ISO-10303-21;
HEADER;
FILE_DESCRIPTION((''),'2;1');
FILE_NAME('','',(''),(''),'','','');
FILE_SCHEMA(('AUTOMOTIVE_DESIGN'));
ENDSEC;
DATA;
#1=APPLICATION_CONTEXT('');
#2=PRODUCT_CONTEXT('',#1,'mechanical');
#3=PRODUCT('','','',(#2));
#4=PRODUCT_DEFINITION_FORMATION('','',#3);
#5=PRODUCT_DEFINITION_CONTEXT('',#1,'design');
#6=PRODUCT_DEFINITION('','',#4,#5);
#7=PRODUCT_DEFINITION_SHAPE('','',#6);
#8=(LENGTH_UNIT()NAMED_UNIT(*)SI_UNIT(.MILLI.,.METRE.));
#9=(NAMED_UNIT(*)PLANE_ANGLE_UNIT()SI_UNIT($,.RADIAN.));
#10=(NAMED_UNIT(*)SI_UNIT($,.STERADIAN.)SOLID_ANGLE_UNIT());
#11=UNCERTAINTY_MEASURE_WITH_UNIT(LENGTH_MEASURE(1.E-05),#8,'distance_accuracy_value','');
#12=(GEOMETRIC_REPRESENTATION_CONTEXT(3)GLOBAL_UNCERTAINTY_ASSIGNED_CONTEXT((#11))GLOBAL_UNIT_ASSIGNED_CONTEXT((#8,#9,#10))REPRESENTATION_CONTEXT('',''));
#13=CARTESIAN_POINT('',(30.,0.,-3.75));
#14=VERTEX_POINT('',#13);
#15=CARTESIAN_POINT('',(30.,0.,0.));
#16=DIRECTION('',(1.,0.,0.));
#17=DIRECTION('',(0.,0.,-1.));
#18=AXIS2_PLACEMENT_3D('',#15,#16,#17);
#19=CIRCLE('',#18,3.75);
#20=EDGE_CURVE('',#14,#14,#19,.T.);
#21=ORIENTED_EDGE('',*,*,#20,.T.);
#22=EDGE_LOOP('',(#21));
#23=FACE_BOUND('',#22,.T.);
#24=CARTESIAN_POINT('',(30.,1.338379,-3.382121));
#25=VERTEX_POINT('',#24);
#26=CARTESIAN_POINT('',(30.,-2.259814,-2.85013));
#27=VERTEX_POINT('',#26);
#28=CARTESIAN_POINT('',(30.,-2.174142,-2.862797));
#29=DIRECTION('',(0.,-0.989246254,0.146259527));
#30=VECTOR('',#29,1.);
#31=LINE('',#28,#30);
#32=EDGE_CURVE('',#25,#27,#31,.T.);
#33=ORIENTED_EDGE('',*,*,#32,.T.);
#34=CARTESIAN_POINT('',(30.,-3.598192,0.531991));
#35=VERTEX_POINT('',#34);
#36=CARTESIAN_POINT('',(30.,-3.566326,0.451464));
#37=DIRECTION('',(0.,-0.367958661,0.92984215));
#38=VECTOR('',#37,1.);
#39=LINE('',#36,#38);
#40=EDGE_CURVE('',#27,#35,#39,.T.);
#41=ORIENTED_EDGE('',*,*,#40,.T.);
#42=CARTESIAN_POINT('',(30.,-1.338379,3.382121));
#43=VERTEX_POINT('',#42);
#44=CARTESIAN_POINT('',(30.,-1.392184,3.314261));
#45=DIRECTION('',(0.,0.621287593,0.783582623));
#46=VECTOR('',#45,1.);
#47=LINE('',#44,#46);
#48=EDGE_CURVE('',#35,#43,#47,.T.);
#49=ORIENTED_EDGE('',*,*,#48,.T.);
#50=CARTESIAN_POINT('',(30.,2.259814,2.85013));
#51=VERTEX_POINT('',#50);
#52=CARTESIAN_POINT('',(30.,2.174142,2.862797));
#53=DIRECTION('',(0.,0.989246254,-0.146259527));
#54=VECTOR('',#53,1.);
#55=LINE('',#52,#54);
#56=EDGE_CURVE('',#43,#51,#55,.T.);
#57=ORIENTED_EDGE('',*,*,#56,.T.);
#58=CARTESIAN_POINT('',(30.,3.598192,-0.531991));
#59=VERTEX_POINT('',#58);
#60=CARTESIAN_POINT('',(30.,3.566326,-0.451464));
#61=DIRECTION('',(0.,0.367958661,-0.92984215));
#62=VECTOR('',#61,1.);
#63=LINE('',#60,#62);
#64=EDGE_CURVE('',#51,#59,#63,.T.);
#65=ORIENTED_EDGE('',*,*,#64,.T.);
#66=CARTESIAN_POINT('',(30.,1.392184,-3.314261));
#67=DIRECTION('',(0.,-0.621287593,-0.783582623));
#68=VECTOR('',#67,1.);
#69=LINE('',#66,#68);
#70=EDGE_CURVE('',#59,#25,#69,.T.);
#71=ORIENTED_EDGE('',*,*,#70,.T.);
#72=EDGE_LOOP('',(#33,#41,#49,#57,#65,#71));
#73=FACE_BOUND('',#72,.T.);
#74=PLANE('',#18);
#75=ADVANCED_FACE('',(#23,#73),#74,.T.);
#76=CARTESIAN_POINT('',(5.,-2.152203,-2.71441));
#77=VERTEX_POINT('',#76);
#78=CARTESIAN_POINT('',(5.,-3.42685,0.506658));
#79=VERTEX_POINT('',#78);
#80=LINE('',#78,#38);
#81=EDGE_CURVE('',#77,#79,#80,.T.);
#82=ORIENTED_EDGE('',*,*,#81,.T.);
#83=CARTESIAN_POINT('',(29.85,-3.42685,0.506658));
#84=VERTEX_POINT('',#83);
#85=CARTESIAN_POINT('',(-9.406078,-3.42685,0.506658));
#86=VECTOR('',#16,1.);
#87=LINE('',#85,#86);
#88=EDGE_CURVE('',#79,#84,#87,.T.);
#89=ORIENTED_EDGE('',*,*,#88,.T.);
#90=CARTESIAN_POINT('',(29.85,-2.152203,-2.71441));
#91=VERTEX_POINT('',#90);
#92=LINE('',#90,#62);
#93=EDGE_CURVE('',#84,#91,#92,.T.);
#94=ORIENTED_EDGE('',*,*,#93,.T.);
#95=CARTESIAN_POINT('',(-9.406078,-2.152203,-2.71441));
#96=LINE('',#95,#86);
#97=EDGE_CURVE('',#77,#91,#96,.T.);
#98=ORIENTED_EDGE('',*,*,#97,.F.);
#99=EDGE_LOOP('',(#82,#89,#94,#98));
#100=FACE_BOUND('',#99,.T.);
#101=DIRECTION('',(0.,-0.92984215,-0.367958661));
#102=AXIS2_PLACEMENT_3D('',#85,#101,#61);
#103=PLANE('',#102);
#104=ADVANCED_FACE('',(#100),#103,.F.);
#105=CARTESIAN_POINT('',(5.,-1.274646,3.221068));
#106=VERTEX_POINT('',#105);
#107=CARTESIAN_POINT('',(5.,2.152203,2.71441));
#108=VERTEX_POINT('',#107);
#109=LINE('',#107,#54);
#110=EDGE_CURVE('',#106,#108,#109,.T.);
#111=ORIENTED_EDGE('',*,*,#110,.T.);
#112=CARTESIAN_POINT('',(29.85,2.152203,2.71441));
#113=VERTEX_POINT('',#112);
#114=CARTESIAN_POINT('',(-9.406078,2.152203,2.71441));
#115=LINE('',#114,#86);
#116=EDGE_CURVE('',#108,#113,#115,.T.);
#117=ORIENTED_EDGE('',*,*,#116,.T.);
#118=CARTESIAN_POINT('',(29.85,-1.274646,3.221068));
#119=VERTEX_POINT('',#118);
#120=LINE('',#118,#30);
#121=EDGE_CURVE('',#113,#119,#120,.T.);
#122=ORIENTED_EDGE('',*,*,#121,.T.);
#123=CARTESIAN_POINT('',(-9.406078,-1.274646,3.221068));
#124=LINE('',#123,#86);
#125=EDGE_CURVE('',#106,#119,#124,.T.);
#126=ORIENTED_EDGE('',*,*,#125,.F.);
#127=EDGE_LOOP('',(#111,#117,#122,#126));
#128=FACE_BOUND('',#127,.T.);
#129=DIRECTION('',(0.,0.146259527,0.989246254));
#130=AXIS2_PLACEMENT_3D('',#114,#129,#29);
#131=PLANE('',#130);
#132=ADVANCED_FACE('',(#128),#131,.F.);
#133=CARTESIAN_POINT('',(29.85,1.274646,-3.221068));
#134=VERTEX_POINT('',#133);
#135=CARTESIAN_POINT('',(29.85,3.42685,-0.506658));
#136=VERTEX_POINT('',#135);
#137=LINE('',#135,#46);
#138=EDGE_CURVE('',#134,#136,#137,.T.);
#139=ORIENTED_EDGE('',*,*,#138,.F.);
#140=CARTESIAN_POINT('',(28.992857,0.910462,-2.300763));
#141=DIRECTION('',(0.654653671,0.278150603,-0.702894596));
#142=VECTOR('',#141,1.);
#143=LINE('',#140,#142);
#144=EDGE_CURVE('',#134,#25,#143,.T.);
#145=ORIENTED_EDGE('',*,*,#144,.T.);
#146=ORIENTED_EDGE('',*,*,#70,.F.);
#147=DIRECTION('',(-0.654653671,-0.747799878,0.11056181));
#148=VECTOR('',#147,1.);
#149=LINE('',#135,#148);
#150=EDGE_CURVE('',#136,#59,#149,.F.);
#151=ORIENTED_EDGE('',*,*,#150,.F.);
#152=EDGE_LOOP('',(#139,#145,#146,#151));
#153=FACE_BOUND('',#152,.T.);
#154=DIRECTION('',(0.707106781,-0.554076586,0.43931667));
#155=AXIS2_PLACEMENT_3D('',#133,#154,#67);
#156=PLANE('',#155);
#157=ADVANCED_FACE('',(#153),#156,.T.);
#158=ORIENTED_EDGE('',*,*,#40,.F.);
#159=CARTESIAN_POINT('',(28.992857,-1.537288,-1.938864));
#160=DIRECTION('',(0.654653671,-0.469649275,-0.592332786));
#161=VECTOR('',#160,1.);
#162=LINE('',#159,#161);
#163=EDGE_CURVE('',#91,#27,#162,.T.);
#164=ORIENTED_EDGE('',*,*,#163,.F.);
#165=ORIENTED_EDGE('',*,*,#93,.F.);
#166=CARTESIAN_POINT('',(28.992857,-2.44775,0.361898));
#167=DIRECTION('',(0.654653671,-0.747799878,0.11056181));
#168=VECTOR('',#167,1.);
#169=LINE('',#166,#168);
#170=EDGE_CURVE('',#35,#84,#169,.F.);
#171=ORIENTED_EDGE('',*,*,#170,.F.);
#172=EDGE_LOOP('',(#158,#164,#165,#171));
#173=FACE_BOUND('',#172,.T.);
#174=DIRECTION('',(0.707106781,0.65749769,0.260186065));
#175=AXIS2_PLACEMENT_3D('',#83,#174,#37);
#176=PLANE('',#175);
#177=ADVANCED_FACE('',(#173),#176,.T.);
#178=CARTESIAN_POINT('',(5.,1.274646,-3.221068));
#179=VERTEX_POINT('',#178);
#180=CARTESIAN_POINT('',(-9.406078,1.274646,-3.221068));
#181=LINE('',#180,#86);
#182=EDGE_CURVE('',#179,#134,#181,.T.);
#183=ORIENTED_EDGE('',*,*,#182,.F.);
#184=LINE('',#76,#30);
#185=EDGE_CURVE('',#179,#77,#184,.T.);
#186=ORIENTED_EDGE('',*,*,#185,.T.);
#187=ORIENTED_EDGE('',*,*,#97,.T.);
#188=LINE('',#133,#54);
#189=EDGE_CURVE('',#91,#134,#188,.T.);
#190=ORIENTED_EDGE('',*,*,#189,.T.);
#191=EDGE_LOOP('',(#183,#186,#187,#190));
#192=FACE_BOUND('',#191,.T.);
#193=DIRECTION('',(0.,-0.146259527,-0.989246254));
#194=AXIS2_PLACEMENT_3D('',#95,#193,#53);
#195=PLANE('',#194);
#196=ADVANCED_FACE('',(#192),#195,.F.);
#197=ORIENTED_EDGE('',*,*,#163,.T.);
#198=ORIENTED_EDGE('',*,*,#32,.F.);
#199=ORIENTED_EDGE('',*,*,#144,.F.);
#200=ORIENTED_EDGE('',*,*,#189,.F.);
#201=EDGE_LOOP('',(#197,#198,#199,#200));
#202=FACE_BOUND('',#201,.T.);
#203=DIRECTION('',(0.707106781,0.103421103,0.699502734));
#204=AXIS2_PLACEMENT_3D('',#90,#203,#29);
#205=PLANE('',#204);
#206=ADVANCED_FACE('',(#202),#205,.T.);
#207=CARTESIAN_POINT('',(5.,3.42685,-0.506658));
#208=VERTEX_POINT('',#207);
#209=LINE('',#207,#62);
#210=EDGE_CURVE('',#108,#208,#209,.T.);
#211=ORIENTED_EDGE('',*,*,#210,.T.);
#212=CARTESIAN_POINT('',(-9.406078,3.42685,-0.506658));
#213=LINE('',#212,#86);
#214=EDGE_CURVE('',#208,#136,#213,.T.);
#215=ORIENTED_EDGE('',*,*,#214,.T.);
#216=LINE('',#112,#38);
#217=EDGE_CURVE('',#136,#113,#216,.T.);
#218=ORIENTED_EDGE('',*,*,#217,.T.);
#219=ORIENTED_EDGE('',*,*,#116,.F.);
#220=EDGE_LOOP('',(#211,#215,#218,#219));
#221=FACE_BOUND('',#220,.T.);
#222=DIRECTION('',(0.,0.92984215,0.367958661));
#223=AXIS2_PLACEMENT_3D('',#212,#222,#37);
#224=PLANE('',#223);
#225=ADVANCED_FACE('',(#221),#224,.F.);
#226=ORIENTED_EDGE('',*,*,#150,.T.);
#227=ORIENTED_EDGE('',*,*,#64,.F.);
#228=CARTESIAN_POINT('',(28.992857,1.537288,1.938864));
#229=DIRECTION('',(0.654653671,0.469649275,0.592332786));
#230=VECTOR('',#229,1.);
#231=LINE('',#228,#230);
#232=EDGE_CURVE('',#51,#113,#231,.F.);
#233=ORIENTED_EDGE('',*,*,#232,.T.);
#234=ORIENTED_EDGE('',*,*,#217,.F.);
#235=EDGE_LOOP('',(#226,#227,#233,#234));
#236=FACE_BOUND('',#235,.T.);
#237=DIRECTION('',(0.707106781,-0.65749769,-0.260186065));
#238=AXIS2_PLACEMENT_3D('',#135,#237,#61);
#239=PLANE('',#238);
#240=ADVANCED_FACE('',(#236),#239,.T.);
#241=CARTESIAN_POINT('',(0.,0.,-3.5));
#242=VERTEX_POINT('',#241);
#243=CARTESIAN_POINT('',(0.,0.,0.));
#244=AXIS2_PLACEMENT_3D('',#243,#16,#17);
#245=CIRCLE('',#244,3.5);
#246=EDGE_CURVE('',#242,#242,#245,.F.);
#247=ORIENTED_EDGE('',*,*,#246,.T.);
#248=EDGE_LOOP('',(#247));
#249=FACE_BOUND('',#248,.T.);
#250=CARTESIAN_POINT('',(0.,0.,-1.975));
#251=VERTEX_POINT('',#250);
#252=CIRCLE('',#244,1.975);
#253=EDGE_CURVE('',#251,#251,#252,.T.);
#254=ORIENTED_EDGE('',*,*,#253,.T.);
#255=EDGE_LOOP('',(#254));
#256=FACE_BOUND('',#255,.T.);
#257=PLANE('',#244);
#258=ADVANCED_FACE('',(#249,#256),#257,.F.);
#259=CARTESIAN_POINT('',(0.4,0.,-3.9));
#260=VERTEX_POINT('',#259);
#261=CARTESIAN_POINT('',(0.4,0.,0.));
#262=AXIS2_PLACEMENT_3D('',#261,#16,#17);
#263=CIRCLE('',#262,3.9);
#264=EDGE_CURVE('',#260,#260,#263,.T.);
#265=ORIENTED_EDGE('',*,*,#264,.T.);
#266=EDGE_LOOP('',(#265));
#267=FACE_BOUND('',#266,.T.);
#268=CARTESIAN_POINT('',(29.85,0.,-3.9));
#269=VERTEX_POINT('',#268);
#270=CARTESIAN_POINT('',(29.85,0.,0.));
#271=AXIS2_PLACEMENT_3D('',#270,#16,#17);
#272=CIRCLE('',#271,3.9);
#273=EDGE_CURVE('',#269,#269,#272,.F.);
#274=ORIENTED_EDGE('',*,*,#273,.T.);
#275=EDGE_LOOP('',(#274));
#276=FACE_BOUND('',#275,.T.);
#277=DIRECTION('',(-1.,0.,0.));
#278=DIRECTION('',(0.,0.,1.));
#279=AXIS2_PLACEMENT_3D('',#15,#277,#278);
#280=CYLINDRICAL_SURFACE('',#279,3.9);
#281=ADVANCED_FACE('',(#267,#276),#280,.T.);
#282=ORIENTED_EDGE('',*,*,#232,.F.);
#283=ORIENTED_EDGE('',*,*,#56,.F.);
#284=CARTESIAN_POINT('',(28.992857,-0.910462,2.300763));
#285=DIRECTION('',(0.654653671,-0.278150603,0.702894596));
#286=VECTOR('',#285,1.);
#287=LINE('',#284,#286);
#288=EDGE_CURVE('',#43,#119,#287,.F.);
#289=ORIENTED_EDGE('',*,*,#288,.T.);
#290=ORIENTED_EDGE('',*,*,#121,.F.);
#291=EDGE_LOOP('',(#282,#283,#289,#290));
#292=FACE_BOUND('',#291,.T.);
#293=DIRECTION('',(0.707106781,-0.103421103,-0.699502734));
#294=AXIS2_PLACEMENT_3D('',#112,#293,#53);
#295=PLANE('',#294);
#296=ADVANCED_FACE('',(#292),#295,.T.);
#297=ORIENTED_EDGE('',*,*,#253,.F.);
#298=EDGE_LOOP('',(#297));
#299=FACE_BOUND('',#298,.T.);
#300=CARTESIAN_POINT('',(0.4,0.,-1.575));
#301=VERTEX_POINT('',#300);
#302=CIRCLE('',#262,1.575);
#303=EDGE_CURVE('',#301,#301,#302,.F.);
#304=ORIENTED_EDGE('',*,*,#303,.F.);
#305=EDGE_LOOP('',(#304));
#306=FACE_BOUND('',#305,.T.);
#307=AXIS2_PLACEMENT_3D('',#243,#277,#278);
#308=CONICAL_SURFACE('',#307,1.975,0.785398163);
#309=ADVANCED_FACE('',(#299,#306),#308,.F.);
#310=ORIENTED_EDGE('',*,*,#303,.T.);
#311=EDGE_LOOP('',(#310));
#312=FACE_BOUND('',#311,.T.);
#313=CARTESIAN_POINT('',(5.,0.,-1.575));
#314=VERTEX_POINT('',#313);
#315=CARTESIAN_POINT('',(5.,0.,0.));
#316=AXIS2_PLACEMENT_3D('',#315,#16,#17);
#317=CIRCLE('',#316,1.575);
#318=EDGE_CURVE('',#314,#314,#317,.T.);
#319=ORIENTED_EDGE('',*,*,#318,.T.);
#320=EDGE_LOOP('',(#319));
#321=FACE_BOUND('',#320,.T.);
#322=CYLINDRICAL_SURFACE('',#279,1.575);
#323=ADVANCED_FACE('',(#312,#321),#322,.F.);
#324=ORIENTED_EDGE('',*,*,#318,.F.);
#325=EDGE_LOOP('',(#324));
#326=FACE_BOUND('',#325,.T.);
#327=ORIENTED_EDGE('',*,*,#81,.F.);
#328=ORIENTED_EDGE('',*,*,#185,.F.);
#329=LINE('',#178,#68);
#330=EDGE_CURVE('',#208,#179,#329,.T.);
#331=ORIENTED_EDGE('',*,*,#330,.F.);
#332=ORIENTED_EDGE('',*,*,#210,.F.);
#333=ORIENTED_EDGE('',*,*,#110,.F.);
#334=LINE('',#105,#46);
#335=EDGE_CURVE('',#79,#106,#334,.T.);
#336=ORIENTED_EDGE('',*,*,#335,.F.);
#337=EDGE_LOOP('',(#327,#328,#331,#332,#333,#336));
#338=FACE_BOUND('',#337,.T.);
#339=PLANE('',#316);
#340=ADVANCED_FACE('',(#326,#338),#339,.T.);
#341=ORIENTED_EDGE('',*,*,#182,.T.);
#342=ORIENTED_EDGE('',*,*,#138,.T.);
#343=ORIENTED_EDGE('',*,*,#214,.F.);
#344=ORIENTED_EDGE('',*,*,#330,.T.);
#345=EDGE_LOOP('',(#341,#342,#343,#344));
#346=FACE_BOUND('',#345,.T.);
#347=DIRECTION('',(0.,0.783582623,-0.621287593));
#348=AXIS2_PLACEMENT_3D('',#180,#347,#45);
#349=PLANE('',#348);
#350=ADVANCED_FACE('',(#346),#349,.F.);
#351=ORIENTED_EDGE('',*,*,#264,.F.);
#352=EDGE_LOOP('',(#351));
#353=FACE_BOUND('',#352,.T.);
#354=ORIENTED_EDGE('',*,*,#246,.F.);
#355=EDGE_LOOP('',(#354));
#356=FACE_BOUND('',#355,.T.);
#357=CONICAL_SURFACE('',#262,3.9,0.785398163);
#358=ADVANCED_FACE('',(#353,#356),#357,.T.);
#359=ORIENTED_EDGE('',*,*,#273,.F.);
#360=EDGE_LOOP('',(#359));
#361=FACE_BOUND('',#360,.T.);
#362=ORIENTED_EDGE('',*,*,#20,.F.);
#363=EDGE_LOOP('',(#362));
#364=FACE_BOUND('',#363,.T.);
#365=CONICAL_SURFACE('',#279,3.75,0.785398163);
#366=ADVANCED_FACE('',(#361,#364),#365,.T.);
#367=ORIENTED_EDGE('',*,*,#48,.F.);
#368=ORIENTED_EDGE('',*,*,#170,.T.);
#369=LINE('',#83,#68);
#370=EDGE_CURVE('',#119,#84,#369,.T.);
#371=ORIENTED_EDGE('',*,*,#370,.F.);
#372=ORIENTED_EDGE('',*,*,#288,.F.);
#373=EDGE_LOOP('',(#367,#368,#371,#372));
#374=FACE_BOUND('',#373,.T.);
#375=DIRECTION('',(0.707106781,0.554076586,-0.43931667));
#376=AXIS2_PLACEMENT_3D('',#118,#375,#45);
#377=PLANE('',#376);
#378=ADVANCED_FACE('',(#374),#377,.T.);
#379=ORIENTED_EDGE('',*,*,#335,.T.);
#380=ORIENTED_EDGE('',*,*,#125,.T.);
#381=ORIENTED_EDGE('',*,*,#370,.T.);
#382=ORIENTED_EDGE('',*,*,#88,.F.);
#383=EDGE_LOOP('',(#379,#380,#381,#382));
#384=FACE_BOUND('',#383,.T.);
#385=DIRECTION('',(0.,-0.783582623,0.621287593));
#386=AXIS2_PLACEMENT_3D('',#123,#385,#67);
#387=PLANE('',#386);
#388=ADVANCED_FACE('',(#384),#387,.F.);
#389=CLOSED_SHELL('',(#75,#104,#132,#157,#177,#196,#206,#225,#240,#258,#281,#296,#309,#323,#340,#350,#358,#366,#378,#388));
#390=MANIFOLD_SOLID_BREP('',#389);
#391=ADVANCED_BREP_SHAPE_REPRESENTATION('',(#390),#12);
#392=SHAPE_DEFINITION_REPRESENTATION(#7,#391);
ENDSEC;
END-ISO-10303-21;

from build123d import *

# Parameters (mm, degrees)
SKETCH1_R           = 3.9
SKETCH1_R_2         = 1.575
BOSS_EXTRUDE1_DEPTH = 30
CUT_EXTRUDE1_DEPTH  = 25
CHAMFER1_SIZE       = 0.4
CHAMFER2_SIZE       = 0.15


with BuildPart() as part:
    # Sketch1 → Boss-Extrude1 (new body)
    with BuildSketch(Plane(origin=(0, 0, 0), x_dir=(0, 0, -1), z_dir=(1, 0, 0))):
        Circle(SKETCH1_R)
        Circle(SKETCH1_R_2, mode=Mode.SUBTRACT)
    extrude(amount=BOSS_EXTRUDE1_DEPTH)

    # Sketch2 → Cut-Extrude1 (cut)
    with BuildSketch(Plane(origin=(30, 0, 0), x_dir=(0, 0, -1), z_dir=(1, 0, 0))):
        Polygon((0.506657863, 3.426849546), (-2.71440983, 2.152203353), (-3.221067693, -1.274646193), (-0.506657863, -3.426849546), (2.71440983, -2.152203353), (3.221067693, 1.274646193), align=None)
    extrude(amount=-CUT_EXTRUDE1_DEPTH, mode=Mode.SUBTRACT)

    # Chamfer1
    chamfer1_edges = [part.edges().sort_by_distance(p)[0] for p in [
        (0, 0, 3.9),
        (0, 0, 1.575),
    ]]
    chamfer(chamfer1_edges, length=CHAMFER1_SIZE)

    # Chamfer2
    chamfer2_edges = [part.edges().sort_by_distance(p)[0] for p in [
        (30, 2.350747869, -1.863862778),
        (30, 2.78952645, 1.103875984),
        (30, 0.43877858, 2.967738762),
        (30, -2.350747869, 1.863862778),
        (30, -2.78952645, -1.103875984),
        (30, -0.43877858, -2.967738762),
        (30, 0, 3.9),
    ]]
    chamfer(chamfer2_edges, length=CHAMFER2_SIZE)


solid = part.part
